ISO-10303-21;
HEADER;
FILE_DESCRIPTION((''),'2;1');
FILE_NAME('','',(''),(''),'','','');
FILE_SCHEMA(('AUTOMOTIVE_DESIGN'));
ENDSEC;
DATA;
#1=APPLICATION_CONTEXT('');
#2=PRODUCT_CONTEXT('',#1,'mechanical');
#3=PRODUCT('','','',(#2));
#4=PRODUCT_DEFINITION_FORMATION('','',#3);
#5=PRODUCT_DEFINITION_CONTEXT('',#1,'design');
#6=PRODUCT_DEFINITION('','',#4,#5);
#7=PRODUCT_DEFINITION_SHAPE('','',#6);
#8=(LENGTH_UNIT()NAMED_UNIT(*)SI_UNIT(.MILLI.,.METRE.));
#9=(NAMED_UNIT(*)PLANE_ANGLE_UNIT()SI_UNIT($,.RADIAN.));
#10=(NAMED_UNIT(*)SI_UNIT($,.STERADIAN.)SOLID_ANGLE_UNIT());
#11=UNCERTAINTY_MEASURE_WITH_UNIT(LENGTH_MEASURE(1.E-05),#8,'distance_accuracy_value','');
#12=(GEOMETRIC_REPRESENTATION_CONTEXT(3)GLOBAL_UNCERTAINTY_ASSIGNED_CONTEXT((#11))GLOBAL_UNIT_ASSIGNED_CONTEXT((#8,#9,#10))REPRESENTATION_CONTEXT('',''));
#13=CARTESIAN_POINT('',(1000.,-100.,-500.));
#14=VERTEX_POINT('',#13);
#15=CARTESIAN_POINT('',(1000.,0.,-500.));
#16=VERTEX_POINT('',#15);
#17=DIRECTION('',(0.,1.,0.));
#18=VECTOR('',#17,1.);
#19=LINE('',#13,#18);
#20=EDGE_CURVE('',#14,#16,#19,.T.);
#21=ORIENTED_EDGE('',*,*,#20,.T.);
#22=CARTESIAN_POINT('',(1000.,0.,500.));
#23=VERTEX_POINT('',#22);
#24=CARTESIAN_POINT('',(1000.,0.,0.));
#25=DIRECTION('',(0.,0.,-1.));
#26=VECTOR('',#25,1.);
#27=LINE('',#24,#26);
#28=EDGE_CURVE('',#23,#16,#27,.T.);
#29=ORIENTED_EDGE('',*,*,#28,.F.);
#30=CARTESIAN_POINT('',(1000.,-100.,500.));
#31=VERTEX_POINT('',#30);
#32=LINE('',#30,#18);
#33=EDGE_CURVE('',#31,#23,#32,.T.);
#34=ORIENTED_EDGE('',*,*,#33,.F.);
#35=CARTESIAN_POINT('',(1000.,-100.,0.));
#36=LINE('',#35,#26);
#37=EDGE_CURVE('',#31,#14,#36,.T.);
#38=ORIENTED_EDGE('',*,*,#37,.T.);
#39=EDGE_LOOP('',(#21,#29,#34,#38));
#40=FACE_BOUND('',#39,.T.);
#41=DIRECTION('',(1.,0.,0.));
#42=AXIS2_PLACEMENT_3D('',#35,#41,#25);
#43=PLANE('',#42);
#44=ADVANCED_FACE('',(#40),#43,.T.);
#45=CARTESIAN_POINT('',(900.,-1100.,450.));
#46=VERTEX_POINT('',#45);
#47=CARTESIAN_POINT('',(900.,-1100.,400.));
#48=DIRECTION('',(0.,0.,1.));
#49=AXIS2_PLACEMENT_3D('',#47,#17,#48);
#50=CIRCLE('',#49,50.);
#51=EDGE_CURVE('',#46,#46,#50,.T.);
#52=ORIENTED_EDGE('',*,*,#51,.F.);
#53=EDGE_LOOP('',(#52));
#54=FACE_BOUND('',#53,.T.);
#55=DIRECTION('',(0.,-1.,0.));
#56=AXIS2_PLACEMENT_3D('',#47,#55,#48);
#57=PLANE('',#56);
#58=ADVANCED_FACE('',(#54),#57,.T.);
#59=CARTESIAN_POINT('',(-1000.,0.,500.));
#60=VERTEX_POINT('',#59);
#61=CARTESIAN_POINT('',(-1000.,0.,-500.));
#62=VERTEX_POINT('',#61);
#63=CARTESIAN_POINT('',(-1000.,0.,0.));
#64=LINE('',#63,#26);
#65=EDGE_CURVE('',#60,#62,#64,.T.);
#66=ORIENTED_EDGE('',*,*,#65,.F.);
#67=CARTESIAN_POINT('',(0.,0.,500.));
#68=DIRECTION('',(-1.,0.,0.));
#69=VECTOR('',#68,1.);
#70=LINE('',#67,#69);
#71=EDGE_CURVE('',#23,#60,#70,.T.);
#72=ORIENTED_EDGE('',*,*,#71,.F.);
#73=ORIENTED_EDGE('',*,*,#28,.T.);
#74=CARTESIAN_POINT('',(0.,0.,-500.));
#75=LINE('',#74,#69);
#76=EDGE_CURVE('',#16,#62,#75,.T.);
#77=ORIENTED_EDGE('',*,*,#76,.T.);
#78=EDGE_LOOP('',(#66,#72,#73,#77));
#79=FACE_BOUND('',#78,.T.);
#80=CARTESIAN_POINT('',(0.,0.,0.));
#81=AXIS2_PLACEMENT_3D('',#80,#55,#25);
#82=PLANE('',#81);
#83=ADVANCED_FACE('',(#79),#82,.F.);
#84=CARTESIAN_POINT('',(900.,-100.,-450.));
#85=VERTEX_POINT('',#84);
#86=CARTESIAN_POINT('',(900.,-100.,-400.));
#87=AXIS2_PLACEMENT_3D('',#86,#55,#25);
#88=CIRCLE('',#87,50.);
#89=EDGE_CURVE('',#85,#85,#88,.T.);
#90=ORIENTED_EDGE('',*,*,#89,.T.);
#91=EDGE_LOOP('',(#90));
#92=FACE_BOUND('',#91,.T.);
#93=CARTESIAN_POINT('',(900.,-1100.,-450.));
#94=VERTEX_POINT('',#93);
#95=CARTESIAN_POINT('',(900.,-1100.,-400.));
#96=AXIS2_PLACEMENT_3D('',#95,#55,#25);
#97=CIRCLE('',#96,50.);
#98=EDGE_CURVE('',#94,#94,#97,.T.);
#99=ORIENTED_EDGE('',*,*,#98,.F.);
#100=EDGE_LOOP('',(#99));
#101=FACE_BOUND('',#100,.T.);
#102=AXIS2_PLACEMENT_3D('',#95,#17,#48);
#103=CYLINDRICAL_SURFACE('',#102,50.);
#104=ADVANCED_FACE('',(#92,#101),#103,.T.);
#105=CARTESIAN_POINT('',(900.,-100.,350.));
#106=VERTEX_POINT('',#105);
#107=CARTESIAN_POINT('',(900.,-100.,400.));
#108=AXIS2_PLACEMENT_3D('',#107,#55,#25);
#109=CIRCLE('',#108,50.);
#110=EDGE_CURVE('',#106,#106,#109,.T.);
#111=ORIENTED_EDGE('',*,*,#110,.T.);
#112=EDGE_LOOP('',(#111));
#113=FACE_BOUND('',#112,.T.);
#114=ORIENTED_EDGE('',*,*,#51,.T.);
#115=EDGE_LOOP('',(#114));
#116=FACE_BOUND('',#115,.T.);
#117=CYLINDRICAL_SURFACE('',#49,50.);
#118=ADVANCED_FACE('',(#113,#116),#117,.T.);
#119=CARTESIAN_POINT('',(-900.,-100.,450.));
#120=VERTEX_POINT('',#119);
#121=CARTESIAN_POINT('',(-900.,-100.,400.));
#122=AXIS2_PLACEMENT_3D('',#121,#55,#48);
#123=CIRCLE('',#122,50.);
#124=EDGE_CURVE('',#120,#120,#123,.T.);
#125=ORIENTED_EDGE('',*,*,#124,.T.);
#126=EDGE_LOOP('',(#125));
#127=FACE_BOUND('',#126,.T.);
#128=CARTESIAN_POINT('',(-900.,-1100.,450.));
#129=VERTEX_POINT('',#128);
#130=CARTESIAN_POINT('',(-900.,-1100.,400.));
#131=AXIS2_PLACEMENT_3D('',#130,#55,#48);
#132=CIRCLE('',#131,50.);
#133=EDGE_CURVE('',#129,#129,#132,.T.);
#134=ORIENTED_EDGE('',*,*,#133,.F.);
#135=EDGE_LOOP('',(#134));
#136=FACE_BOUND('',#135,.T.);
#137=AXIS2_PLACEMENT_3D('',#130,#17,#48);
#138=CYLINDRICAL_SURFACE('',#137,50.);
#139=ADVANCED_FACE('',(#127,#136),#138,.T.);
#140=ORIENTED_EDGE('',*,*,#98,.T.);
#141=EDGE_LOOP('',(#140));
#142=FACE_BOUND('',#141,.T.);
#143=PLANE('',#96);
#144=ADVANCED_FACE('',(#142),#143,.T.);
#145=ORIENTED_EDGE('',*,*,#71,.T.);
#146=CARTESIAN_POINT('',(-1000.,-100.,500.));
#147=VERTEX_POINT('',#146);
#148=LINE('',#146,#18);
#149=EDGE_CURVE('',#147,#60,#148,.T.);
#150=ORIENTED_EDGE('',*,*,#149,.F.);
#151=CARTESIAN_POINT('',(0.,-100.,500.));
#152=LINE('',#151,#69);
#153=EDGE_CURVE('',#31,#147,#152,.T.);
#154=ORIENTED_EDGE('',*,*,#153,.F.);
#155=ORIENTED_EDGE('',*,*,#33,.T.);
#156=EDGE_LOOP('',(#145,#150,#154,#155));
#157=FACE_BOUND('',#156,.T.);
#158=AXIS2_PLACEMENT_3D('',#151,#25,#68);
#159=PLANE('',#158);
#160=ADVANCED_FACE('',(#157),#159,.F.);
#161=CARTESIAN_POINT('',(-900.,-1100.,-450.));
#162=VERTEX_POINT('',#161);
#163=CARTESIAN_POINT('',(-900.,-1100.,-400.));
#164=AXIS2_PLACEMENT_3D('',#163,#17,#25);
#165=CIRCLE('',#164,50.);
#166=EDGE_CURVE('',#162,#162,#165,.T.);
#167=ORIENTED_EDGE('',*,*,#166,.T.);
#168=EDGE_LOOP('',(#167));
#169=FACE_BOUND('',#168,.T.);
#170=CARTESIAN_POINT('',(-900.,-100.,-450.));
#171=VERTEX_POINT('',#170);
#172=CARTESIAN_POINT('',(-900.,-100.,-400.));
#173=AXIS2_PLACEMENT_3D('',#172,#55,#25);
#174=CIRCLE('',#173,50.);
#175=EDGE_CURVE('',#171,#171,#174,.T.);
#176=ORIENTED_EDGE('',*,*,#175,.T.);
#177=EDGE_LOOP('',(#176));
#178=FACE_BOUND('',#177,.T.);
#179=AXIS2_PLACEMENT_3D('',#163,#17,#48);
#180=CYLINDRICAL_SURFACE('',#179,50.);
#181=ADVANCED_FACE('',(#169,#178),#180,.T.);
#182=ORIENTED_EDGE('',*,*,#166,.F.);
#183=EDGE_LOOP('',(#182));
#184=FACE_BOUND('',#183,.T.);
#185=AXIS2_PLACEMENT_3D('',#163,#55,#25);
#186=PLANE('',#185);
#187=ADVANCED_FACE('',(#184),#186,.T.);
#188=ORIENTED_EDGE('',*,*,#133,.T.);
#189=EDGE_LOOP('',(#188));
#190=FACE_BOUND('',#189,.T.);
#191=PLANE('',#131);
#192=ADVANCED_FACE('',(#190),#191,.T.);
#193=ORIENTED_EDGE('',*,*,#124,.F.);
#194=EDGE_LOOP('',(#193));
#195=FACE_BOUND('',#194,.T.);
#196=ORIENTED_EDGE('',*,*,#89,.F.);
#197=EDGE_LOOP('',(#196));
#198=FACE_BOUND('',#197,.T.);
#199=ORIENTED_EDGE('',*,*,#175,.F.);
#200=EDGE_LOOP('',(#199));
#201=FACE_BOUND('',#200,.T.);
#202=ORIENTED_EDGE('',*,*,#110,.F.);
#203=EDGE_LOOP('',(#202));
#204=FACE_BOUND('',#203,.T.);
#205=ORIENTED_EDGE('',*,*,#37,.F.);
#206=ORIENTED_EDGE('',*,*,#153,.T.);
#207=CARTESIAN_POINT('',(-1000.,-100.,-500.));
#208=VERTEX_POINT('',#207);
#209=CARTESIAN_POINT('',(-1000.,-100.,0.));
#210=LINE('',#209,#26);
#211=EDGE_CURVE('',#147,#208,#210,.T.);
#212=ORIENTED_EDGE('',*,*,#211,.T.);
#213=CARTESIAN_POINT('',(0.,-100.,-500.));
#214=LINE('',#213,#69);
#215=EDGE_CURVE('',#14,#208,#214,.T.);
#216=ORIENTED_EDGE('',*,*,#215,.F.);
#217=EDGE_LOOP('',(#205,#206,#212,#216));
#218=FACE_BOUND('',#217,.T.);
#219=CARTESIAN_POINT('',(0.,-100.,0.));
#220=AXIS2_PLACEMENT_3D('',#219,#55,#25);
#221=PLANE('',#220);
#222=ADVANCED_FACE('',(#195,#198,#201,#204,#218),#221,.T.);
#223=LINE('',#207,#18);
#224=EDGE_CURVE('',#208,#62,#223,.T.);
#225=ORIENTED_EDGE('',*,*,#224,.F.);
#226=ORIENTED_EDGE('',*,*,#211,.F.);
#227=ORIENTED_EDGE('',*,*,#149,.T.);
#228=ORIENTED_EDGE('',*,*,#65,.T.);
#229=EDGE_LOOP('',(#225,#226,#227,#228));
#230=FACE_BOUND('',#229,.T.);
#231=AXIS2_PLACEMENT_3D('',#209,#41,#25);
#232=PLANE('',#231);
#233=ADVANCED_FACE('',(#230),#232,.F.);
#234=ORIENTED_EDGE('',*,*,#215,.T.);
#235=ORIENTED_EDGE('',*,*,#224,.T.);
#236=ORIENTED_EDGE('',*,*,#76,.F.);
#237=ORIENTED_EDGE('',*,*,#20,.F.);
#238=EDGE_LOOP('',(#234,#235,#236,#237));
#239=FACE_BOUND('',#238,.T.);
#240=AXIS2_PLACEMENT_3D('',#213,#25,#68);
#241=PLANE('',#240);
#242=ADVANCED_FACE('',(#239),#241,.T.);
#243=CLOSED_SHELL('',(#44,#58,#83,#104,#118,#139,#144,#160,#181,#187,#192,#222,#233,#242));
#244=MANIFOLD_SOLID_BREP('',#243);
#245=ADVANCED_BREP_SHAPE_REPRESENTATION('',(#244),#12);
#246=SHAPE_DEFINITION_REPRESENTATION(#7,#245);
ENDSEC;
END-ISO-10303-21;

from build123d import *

# Parameters (mm, degrees)
SKETCH1_W               = 1000
SKETCH1_H               = 500
BOSS_EXTRUDE1_DEPTH     = 100
SKETCH2_R               = 50
BOSS_EXTRUDE2_DEPTH     = 1000
MIRROR2_COPY_1_SKETCH_W = 1000
MIRROR2_COPY_1_SKETCH_H = 500
MIRROR2_COPY_1_DEPTH    = 100
MIRROR2_COPY_2_SKETCH_R = 50
MIRROR2_COPY_2_DEPTH    = 1000


with BuildPart() as part:
    # Sketch1 → Boss-Extrude1 (new body)
    with BuildSketch(Plane(origin=(0, 0, 0), x_dir=(1, 0, 0), z_dir=(0, 1, 0))):
        with Locations((500, 250)):
            Rectangle(SKETCH1_W, SKETCH1_H)
    boss_extrude1 = extrude(amount=-BOSS_EXTRUDE1_DEPTH)

    # Sketch2 → Boss-Extrude2 (add)
    with BuildSketch(Plane.XZ.offset(100)):
        with Locations((900, -400)):
            Circle(SKETCH2_R)
    boss_extrude2 = extrude(amount=BOSS_EXTRUDE2_DEPTH)

    # Mirror1: Boss-Extrude1, Boss-Extrude2 across plane
    add(boss_extrude1.mirror(Plane(origin=(0, 0, 0), x_dir=(0, 0, 1), z_dir=(1, 0, 0))))
    add(boss_extrude2.mirror(Plane(origin=(0, 0, 0), x_dir=(0, 0, 1), z_dir=(1, 0, 0))))

    # Mirror2: Boss-Extrude2, Boss-Extrude1 across plane
    add(boss_extrude2.mirror(Plane.XY))
    add(boss_extrude1.mirror(Plane.XY))

    # Mirror2 copy 1 sketch → Mirror2 copy 1 (add)
    with BuildSketch(Plane(origin=(0, 0, 0), x_dir=(-1, 0, 0), z_dir=(0, 1, 0))):
        with Locations((500, 250)):
            Rectangle(MIRROR2_COPY_1_SKETCH_W, MIRROR2_COPY_1_SKETCH_H)
    extrude(amount=-MIRROR2_COPY_1_DEPTH)

    # Mirror2 copy 2 sketch → Mirror2 copy 2 (add)
    with BuildSketch(Plane(origin=(0, -100, 0), x_dir=(-1, 0, 0), z_dir=(0, -1, 0))):
        with Locations((900, -400)):
            Circle(MIRROR2_COPY_2_SKETCH_R)
    extrude(amount=MIRROR2_COPY_2_DEPTH)


solid = part.part
